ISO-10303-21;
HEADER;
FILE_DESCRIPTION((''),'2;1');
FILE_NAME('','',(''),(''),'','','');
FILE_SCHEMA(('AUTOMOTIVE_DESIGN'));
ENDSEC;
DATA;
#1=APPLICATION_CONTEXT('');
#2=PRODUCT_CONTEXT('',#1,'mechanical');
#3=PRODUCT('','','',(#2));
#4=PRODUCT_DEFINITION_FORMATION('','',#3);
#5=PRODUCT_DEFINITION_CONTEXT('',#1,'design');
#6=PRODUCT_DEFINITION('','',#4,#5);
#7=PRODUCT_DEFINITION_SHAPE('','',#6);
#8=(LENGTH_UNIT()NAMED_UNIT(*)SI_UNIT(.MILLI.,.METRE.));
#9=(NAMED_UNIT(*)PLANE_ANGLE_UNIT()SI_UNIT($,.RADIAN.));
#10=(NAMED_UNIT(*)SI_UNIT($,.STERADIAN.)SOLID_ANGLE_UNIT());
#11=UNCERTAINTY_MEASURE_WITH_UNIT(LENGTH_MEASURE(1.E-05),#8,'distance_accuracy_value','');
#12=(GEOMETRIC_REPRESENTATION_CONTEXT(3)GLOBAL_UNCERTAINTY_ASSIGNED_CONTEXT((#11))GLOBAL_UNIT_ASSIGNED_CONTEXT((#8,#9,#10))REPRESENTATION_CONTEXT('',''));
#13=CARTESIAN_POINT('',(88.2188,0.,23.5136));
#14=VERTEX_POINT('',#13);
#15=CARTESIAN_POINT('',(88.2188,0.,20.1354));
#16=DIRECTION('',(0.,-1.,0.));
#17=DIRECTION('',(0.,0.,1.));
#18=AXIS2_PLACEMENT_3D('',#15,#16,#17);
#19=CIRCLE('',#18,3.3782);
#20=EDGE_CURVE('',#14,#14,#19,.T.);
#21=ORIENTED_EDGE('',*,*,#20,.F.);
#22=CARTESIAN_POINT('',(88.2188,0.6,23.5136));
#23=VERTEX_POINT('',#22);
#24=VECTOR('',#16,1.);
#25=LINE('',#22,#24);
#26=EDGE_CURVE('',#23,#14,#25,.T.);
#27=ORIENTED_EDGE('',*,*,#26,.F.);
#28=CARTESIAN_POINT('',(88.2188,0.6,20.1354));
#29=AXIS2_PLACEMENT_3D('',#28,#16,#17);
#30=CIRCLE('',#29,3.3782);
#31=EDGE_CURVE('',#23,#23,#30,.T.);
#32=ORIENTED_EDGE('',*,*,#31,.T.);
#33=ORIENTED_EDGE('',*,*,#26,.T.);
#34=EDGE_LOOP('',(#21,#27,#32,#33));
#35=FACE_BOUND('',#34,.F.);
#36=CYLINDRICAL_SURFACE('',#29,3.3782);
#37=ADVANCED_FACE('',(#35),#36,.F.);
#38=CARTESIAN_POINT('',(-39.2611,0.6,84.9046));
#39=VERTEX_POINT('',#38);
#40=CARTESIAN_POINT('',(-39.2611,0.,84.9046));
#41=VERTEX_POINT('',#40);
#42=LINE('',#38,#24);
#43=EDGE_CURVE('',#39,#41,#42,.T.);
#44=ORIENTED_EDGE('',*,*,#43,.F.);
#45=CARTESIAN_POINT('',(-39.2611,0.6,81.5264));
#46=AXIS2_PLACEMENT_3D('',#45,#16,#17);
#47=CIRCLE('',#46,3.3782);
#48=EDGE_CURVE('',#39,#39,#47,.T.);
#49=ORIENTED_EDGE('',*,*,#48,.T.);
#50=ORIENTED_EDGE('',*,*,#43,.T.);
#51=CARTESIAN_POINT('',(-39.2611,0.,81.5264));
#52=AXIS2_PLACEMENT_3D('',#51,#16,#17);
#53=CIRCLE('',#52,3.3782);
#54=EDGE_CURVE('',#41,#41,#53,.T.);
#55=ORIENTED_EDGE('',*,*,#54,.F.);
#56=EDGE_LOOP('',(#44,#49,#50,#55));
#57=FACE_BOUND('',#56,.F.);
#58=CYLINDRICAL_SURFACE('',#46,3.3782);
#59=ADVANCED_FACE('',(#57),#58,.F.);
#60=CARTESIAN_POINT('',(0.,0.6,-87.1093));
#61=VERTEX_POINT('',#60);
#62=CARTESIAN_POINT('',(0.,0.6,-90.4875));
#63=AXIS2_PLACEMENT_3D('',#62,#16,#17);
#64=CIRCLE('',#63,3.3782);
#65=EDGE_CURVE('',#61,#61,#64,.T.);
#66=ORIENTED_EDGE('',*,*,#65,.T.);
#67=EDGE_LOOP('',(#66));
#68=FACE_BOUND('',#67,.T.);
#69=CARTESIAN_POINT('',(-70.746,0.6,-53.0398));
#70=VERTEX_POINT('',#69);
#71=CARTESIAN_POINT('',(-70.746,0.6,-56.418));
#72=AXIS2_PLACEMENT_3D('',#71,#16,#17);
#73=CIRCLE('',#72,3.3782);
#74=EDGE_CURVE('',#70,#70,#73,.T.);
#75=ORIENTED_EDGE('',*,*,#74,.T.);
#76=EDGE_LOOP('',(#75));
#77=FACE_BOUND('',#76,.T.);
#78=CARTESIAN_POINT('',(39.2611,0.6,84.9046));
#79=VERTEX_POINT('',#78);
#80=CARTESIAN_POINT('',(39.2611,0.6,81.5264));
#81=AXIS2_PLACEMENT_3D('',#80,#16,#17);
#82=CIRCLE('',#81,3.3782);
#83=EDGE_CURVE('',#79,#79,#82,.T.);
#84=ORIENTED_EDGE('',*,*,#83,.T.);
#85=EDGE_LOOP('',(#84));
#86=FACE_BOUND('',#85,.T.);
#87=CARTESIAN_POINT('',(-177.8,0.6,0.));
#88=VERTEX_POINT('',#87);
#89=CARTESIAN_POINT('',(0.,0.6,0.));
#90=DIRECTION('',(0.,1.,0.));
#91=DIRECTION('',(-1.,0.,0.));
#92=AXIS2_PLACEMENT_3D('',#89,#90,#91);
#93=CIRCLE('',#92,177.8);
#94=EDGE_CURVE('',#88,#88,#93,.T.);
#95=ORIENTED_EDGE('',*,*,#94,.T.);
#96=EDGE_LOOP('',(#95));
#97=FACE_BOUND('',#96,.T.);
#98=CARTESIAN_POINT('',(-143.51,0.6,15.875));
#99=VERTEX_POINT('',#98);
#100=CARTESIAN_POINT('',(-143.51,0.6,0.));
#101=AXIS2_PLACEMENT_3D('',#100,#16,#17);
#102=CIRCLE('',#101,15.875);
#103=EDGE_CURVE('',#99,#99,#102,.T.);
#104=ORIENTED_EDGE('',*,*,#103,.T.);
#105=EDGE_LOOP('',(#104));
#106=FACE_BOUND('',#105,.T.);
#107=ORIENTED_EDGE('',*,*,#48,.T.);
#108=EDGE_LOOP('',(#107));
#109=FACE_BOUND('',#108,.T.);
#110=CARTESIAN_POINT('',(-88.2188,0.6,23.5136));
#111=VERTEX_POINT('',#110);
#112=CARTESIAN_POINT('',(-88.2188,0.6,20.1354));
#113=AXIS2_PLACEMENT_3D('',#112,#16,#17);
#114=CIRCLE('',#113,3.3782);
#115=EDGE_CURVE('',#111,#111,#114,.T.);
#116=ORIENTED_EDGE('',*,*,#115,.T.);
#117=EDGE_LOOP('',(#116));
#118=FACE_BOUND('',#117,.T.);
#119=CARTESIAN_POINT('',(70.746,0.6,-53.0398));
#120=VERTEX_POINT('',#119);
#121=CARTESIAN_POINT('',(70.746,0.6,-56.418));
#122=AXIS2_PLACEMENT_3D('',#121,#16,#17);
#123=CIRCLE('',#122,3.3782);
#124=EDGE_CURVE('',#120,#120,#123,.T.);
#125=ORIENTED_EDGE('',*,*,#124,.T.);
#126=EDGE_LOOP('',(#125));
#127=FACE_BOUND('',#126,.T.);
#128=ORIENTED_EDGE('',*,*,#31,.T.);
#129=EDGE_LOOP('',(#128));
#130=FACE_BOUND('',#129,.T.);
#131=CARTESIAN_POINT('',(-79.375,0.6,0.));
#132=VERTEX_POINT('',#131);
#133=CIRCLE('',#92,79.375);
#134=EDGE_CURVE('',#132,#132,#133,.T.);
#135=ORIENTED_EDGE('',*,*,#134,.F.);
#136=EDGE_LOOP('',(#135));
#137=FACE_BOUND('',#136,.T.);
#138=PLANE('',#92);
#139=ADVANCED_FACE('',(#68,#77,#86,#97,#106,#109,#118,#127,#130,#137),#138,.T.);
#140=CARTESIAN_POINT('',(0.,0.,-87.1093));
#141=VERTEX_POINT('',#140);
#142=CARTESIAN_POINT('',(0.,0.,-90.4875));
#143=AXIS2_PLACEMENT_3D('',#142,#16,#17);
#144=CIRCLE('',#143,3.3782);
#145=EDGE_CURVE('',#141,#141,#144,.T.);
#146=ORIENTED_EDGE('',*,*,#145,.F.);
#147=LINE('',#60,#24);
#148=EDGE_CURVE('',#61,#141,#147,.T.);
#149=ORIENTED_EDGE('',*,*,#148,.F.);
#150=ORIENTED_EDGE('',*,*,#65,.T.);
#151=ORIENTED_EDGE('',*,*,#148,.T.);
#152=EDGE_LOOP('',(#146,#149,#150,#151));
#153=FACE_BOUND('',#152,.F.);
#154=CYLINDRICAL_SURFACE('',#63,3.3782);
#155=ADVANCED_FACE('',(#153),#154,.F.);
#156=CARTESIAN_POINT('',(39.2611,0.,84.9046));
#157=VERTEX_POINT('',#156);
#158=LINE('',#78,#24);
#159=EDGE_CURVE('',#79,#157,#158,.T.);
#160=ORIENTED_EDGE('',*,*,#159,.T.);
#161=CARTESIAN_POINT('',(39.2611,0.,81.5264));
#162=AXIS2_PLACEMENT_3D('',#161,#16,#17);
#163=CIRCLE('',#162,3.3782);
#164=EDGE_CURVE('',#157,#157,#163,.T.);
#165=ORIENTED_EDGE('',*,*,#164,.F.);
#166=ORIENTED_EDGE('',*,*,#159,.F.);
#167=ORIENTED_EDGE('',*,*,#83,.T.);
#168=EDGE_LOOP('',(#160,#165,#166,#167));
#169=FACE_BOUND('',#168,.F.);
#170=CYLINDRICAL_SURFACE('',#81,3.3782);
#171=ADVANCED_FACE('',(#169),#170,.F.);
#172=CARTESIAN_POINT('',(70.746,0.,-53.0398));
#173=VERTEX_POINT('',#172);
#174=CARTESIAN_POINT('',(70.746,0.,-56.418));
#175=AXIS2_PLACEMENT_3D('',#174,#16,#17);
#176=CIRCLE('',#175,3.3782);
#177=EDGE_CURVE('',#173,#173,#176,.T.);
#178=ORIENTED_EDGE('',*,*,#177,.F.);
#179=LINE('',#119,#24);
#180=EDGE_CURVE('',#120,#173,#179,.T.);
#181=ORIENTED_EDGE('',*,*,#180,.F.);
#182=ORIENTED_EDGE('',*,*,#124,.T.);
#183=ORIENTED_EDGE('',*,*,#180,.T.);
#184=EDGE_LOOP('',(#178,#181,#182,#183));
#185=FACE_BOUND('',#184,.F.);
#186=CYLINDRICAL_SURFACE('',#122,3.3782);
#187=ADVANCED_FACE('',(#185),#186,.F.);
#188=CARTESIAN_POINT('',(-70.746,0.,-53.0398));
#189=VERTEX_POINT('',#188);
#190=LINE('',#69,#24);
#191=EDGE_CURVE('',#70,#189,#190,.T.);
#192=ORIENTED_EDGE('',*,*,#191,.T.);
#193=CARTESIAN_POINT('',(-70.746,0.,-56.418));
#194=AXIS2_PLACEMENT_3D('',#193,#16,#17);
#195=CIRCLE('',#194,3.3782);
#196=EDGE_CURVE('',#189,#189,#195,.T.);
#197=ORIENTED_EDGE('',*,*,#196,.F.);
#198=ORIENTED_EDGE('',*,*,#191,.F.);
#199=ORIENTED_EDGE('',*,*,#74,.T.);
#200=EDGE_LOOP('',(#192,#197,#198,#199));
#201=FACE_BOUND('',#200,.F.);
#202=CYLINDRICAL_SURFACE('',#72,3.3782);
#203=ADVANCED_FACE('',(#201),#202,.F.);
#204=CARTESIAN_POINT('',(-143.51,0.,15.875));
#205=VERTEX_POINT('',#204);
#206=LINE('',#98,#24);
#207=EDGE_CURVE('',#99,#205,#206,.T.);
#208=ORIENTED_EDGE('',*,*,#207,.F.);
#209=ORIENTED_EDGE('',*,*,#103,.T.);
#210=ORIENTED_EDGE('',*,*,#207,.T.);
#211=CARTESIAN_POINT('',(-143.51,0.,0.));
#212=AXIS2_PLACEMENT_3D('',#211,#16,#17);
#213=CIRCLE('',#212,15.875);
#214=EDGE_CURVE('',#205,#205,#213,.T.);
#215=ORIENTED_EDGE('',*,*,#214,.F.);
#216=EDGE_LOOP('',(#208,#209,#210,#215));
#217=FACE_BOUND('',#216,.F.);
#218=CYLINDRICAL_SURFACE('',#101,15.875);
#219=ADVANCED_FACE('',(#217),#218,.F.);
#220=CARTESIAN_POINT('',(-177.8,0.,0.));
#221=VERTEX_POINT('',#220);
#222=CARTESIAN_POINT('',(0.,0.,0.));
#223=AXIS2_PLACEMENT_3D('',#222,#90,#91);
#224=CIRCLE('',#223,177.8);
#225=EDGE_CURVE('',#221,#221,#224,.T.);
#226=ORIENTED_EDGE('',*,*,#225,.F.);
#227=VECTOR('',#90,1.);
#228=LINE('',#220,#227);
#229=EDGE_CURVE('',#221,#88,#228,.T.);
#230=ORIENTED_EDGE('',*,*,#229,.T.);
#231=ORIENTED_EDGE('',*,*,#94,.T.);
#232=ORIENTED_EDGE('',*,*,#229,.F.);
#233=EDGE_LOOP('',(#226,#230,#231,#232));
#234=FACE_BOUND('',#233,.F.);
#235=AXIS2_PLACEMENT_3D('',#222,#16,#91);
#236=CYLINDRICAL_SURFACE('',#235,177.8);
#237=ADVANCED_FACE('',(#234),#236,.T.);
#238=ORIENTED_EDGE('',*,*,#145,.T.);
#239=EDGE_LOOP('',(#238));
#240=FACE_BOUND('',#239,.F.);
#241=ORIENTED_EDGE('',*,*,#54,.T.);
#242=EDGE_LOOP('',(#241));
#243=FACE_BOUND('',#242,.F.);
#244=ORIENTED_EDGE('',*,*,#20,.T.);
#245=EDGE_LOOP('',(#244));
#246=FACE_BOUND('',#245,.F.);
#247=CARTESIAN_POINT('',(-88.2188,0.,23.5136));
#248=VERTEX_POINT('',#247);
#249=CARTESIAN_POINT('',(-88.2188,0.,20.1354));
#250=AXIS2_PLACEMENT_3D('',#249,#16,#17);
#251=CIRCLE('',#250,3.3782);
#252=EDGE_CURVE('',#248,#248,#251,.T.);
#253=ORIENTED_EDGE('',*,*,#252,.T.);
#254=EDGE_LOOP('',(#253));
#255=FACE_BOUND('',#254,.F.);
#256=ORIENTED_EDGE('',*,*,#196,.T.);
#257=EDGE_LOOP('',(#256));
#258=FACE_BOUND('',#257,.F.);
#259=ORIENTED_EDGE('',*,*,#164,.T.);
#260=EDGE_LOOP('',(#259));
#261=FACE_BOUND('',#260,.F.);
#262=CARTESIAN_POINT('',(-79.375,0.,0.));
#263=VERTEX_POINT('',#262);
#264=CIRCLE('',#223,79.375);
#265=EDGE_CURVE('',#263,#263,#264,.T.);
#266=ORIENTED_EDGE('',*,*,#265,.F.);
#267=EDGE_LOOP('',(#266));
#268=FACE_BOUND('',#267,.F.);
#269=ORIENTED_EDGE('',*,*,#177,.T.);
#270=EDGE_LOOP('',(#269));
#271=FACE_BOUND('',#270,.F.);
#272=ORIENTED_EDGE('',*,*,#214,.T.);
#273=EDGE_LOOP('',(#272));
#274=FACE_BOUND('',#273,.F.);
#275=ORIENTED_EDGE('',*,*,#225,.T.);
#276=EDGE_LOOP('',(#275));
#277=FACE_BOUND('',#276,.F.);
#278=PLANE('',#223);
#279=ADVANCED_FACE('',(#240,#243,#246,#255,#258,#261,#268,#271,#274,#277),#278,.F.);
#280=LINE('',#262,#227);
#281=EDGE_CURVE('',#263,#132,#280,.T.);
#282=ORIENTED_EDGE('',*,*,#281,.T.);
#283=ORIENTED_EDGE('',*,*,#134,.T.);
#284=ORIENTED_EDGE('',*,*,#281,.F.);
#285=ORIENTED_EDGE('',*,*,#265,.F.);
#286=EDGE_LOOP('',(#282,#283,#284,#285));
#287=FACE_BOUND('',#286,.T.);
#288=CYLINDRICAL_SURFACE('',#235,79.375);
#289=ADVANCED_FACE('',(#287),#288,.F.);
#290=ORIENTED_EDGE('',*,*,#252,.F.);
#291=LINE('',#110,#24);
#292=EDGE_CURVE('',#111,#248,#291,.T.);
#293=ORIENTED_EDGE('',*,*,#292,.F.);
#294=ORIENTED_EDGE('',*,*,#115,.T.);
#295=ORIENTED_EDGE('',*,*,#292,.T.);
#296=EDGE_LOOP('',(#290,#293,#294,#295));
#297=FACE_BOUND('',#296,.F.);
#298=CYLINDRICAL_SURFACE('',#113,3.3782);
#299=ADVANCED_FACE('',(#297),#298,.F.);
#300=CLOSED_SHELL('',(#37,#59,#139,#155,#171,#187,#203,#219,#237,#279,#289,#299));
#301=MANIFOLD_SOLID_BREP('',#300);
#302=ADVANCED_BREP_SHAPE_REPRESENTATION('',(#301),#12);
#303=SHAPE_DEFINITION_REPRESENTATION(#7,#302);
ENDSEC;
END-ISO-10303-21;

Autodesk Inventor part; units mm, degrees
ref_plane "YZ Plane" through (0, 0, 0) normal (1, 0, 0) x (0, 1, 0)
ref_plane "XZ Plane" through (0, 0, 0) normal (0, 1, 0) x (-1, 0, 0)
ref_plane "XY Plane" through (0, 0, 0) normal (0, 0, 1) x (1, 0, 0)
sketch "Sketch1" plane through (0, 0, 0) normal (0, 1, 0) x (-1, 0, 0)
  circle A0 centre (0, 0) radius 79.375
  circle A1 centre (0, 0) radius 177.8
  dimension "d0" = 158.75
  dimension "d1" = 355.6
extrude "Extrusion1" add sketch "Sketch1" along normal blind 0.6
sketch "Sketch2" plane through (0, 0.6, 0) normal (0, 1, 0) x (1, 0, 0)
  point P0 (0, 0)
  point P1 (0, 90.4875)
  point P2 (-70.746, 56.418)
  point P3 (-88.2188, -20.1354)
  point P4 (-39.2611, -81.5264)
  point P5 (39.2611, -81.5264)
  point P6 (88.2188, -20.1354)
  point P7 (70.746, 56.418)
  dimension "d4" = 90.4875
  dimension "d7" = 360
hole "Hole1" at (0, 0.6, -90.4875) at (-70.746, 0.6, -56.418) at (-88.2188, 0.6, 20.1354) at (-39.2611, 0.6, 81.5264) at (39.2611, 0.6, 81.5264) at (88.2188, 0.6, 20.1354) at (70.746, 0.6, -56.418) direction (0, -1, 0) diameter 6.7564 end through all clearance for "Hex Machine Screw" size "1/4" standard "Ansi Unified Screw Threads"
sketch "Sketch3" plane through (0, 0.6, 0) normal (0, 1, 0) x (1, 0, 0)
  point P0 (0, 0)
  point P1 (-143.51, 0)
  dimension "d16" = 143.51
hole "Hole2" at (-143.51, 0.6, 0) direction (0, -1, 0) diameter 31.75 end through all
properties part number "3DPRINT,WIRE-GUARD"
